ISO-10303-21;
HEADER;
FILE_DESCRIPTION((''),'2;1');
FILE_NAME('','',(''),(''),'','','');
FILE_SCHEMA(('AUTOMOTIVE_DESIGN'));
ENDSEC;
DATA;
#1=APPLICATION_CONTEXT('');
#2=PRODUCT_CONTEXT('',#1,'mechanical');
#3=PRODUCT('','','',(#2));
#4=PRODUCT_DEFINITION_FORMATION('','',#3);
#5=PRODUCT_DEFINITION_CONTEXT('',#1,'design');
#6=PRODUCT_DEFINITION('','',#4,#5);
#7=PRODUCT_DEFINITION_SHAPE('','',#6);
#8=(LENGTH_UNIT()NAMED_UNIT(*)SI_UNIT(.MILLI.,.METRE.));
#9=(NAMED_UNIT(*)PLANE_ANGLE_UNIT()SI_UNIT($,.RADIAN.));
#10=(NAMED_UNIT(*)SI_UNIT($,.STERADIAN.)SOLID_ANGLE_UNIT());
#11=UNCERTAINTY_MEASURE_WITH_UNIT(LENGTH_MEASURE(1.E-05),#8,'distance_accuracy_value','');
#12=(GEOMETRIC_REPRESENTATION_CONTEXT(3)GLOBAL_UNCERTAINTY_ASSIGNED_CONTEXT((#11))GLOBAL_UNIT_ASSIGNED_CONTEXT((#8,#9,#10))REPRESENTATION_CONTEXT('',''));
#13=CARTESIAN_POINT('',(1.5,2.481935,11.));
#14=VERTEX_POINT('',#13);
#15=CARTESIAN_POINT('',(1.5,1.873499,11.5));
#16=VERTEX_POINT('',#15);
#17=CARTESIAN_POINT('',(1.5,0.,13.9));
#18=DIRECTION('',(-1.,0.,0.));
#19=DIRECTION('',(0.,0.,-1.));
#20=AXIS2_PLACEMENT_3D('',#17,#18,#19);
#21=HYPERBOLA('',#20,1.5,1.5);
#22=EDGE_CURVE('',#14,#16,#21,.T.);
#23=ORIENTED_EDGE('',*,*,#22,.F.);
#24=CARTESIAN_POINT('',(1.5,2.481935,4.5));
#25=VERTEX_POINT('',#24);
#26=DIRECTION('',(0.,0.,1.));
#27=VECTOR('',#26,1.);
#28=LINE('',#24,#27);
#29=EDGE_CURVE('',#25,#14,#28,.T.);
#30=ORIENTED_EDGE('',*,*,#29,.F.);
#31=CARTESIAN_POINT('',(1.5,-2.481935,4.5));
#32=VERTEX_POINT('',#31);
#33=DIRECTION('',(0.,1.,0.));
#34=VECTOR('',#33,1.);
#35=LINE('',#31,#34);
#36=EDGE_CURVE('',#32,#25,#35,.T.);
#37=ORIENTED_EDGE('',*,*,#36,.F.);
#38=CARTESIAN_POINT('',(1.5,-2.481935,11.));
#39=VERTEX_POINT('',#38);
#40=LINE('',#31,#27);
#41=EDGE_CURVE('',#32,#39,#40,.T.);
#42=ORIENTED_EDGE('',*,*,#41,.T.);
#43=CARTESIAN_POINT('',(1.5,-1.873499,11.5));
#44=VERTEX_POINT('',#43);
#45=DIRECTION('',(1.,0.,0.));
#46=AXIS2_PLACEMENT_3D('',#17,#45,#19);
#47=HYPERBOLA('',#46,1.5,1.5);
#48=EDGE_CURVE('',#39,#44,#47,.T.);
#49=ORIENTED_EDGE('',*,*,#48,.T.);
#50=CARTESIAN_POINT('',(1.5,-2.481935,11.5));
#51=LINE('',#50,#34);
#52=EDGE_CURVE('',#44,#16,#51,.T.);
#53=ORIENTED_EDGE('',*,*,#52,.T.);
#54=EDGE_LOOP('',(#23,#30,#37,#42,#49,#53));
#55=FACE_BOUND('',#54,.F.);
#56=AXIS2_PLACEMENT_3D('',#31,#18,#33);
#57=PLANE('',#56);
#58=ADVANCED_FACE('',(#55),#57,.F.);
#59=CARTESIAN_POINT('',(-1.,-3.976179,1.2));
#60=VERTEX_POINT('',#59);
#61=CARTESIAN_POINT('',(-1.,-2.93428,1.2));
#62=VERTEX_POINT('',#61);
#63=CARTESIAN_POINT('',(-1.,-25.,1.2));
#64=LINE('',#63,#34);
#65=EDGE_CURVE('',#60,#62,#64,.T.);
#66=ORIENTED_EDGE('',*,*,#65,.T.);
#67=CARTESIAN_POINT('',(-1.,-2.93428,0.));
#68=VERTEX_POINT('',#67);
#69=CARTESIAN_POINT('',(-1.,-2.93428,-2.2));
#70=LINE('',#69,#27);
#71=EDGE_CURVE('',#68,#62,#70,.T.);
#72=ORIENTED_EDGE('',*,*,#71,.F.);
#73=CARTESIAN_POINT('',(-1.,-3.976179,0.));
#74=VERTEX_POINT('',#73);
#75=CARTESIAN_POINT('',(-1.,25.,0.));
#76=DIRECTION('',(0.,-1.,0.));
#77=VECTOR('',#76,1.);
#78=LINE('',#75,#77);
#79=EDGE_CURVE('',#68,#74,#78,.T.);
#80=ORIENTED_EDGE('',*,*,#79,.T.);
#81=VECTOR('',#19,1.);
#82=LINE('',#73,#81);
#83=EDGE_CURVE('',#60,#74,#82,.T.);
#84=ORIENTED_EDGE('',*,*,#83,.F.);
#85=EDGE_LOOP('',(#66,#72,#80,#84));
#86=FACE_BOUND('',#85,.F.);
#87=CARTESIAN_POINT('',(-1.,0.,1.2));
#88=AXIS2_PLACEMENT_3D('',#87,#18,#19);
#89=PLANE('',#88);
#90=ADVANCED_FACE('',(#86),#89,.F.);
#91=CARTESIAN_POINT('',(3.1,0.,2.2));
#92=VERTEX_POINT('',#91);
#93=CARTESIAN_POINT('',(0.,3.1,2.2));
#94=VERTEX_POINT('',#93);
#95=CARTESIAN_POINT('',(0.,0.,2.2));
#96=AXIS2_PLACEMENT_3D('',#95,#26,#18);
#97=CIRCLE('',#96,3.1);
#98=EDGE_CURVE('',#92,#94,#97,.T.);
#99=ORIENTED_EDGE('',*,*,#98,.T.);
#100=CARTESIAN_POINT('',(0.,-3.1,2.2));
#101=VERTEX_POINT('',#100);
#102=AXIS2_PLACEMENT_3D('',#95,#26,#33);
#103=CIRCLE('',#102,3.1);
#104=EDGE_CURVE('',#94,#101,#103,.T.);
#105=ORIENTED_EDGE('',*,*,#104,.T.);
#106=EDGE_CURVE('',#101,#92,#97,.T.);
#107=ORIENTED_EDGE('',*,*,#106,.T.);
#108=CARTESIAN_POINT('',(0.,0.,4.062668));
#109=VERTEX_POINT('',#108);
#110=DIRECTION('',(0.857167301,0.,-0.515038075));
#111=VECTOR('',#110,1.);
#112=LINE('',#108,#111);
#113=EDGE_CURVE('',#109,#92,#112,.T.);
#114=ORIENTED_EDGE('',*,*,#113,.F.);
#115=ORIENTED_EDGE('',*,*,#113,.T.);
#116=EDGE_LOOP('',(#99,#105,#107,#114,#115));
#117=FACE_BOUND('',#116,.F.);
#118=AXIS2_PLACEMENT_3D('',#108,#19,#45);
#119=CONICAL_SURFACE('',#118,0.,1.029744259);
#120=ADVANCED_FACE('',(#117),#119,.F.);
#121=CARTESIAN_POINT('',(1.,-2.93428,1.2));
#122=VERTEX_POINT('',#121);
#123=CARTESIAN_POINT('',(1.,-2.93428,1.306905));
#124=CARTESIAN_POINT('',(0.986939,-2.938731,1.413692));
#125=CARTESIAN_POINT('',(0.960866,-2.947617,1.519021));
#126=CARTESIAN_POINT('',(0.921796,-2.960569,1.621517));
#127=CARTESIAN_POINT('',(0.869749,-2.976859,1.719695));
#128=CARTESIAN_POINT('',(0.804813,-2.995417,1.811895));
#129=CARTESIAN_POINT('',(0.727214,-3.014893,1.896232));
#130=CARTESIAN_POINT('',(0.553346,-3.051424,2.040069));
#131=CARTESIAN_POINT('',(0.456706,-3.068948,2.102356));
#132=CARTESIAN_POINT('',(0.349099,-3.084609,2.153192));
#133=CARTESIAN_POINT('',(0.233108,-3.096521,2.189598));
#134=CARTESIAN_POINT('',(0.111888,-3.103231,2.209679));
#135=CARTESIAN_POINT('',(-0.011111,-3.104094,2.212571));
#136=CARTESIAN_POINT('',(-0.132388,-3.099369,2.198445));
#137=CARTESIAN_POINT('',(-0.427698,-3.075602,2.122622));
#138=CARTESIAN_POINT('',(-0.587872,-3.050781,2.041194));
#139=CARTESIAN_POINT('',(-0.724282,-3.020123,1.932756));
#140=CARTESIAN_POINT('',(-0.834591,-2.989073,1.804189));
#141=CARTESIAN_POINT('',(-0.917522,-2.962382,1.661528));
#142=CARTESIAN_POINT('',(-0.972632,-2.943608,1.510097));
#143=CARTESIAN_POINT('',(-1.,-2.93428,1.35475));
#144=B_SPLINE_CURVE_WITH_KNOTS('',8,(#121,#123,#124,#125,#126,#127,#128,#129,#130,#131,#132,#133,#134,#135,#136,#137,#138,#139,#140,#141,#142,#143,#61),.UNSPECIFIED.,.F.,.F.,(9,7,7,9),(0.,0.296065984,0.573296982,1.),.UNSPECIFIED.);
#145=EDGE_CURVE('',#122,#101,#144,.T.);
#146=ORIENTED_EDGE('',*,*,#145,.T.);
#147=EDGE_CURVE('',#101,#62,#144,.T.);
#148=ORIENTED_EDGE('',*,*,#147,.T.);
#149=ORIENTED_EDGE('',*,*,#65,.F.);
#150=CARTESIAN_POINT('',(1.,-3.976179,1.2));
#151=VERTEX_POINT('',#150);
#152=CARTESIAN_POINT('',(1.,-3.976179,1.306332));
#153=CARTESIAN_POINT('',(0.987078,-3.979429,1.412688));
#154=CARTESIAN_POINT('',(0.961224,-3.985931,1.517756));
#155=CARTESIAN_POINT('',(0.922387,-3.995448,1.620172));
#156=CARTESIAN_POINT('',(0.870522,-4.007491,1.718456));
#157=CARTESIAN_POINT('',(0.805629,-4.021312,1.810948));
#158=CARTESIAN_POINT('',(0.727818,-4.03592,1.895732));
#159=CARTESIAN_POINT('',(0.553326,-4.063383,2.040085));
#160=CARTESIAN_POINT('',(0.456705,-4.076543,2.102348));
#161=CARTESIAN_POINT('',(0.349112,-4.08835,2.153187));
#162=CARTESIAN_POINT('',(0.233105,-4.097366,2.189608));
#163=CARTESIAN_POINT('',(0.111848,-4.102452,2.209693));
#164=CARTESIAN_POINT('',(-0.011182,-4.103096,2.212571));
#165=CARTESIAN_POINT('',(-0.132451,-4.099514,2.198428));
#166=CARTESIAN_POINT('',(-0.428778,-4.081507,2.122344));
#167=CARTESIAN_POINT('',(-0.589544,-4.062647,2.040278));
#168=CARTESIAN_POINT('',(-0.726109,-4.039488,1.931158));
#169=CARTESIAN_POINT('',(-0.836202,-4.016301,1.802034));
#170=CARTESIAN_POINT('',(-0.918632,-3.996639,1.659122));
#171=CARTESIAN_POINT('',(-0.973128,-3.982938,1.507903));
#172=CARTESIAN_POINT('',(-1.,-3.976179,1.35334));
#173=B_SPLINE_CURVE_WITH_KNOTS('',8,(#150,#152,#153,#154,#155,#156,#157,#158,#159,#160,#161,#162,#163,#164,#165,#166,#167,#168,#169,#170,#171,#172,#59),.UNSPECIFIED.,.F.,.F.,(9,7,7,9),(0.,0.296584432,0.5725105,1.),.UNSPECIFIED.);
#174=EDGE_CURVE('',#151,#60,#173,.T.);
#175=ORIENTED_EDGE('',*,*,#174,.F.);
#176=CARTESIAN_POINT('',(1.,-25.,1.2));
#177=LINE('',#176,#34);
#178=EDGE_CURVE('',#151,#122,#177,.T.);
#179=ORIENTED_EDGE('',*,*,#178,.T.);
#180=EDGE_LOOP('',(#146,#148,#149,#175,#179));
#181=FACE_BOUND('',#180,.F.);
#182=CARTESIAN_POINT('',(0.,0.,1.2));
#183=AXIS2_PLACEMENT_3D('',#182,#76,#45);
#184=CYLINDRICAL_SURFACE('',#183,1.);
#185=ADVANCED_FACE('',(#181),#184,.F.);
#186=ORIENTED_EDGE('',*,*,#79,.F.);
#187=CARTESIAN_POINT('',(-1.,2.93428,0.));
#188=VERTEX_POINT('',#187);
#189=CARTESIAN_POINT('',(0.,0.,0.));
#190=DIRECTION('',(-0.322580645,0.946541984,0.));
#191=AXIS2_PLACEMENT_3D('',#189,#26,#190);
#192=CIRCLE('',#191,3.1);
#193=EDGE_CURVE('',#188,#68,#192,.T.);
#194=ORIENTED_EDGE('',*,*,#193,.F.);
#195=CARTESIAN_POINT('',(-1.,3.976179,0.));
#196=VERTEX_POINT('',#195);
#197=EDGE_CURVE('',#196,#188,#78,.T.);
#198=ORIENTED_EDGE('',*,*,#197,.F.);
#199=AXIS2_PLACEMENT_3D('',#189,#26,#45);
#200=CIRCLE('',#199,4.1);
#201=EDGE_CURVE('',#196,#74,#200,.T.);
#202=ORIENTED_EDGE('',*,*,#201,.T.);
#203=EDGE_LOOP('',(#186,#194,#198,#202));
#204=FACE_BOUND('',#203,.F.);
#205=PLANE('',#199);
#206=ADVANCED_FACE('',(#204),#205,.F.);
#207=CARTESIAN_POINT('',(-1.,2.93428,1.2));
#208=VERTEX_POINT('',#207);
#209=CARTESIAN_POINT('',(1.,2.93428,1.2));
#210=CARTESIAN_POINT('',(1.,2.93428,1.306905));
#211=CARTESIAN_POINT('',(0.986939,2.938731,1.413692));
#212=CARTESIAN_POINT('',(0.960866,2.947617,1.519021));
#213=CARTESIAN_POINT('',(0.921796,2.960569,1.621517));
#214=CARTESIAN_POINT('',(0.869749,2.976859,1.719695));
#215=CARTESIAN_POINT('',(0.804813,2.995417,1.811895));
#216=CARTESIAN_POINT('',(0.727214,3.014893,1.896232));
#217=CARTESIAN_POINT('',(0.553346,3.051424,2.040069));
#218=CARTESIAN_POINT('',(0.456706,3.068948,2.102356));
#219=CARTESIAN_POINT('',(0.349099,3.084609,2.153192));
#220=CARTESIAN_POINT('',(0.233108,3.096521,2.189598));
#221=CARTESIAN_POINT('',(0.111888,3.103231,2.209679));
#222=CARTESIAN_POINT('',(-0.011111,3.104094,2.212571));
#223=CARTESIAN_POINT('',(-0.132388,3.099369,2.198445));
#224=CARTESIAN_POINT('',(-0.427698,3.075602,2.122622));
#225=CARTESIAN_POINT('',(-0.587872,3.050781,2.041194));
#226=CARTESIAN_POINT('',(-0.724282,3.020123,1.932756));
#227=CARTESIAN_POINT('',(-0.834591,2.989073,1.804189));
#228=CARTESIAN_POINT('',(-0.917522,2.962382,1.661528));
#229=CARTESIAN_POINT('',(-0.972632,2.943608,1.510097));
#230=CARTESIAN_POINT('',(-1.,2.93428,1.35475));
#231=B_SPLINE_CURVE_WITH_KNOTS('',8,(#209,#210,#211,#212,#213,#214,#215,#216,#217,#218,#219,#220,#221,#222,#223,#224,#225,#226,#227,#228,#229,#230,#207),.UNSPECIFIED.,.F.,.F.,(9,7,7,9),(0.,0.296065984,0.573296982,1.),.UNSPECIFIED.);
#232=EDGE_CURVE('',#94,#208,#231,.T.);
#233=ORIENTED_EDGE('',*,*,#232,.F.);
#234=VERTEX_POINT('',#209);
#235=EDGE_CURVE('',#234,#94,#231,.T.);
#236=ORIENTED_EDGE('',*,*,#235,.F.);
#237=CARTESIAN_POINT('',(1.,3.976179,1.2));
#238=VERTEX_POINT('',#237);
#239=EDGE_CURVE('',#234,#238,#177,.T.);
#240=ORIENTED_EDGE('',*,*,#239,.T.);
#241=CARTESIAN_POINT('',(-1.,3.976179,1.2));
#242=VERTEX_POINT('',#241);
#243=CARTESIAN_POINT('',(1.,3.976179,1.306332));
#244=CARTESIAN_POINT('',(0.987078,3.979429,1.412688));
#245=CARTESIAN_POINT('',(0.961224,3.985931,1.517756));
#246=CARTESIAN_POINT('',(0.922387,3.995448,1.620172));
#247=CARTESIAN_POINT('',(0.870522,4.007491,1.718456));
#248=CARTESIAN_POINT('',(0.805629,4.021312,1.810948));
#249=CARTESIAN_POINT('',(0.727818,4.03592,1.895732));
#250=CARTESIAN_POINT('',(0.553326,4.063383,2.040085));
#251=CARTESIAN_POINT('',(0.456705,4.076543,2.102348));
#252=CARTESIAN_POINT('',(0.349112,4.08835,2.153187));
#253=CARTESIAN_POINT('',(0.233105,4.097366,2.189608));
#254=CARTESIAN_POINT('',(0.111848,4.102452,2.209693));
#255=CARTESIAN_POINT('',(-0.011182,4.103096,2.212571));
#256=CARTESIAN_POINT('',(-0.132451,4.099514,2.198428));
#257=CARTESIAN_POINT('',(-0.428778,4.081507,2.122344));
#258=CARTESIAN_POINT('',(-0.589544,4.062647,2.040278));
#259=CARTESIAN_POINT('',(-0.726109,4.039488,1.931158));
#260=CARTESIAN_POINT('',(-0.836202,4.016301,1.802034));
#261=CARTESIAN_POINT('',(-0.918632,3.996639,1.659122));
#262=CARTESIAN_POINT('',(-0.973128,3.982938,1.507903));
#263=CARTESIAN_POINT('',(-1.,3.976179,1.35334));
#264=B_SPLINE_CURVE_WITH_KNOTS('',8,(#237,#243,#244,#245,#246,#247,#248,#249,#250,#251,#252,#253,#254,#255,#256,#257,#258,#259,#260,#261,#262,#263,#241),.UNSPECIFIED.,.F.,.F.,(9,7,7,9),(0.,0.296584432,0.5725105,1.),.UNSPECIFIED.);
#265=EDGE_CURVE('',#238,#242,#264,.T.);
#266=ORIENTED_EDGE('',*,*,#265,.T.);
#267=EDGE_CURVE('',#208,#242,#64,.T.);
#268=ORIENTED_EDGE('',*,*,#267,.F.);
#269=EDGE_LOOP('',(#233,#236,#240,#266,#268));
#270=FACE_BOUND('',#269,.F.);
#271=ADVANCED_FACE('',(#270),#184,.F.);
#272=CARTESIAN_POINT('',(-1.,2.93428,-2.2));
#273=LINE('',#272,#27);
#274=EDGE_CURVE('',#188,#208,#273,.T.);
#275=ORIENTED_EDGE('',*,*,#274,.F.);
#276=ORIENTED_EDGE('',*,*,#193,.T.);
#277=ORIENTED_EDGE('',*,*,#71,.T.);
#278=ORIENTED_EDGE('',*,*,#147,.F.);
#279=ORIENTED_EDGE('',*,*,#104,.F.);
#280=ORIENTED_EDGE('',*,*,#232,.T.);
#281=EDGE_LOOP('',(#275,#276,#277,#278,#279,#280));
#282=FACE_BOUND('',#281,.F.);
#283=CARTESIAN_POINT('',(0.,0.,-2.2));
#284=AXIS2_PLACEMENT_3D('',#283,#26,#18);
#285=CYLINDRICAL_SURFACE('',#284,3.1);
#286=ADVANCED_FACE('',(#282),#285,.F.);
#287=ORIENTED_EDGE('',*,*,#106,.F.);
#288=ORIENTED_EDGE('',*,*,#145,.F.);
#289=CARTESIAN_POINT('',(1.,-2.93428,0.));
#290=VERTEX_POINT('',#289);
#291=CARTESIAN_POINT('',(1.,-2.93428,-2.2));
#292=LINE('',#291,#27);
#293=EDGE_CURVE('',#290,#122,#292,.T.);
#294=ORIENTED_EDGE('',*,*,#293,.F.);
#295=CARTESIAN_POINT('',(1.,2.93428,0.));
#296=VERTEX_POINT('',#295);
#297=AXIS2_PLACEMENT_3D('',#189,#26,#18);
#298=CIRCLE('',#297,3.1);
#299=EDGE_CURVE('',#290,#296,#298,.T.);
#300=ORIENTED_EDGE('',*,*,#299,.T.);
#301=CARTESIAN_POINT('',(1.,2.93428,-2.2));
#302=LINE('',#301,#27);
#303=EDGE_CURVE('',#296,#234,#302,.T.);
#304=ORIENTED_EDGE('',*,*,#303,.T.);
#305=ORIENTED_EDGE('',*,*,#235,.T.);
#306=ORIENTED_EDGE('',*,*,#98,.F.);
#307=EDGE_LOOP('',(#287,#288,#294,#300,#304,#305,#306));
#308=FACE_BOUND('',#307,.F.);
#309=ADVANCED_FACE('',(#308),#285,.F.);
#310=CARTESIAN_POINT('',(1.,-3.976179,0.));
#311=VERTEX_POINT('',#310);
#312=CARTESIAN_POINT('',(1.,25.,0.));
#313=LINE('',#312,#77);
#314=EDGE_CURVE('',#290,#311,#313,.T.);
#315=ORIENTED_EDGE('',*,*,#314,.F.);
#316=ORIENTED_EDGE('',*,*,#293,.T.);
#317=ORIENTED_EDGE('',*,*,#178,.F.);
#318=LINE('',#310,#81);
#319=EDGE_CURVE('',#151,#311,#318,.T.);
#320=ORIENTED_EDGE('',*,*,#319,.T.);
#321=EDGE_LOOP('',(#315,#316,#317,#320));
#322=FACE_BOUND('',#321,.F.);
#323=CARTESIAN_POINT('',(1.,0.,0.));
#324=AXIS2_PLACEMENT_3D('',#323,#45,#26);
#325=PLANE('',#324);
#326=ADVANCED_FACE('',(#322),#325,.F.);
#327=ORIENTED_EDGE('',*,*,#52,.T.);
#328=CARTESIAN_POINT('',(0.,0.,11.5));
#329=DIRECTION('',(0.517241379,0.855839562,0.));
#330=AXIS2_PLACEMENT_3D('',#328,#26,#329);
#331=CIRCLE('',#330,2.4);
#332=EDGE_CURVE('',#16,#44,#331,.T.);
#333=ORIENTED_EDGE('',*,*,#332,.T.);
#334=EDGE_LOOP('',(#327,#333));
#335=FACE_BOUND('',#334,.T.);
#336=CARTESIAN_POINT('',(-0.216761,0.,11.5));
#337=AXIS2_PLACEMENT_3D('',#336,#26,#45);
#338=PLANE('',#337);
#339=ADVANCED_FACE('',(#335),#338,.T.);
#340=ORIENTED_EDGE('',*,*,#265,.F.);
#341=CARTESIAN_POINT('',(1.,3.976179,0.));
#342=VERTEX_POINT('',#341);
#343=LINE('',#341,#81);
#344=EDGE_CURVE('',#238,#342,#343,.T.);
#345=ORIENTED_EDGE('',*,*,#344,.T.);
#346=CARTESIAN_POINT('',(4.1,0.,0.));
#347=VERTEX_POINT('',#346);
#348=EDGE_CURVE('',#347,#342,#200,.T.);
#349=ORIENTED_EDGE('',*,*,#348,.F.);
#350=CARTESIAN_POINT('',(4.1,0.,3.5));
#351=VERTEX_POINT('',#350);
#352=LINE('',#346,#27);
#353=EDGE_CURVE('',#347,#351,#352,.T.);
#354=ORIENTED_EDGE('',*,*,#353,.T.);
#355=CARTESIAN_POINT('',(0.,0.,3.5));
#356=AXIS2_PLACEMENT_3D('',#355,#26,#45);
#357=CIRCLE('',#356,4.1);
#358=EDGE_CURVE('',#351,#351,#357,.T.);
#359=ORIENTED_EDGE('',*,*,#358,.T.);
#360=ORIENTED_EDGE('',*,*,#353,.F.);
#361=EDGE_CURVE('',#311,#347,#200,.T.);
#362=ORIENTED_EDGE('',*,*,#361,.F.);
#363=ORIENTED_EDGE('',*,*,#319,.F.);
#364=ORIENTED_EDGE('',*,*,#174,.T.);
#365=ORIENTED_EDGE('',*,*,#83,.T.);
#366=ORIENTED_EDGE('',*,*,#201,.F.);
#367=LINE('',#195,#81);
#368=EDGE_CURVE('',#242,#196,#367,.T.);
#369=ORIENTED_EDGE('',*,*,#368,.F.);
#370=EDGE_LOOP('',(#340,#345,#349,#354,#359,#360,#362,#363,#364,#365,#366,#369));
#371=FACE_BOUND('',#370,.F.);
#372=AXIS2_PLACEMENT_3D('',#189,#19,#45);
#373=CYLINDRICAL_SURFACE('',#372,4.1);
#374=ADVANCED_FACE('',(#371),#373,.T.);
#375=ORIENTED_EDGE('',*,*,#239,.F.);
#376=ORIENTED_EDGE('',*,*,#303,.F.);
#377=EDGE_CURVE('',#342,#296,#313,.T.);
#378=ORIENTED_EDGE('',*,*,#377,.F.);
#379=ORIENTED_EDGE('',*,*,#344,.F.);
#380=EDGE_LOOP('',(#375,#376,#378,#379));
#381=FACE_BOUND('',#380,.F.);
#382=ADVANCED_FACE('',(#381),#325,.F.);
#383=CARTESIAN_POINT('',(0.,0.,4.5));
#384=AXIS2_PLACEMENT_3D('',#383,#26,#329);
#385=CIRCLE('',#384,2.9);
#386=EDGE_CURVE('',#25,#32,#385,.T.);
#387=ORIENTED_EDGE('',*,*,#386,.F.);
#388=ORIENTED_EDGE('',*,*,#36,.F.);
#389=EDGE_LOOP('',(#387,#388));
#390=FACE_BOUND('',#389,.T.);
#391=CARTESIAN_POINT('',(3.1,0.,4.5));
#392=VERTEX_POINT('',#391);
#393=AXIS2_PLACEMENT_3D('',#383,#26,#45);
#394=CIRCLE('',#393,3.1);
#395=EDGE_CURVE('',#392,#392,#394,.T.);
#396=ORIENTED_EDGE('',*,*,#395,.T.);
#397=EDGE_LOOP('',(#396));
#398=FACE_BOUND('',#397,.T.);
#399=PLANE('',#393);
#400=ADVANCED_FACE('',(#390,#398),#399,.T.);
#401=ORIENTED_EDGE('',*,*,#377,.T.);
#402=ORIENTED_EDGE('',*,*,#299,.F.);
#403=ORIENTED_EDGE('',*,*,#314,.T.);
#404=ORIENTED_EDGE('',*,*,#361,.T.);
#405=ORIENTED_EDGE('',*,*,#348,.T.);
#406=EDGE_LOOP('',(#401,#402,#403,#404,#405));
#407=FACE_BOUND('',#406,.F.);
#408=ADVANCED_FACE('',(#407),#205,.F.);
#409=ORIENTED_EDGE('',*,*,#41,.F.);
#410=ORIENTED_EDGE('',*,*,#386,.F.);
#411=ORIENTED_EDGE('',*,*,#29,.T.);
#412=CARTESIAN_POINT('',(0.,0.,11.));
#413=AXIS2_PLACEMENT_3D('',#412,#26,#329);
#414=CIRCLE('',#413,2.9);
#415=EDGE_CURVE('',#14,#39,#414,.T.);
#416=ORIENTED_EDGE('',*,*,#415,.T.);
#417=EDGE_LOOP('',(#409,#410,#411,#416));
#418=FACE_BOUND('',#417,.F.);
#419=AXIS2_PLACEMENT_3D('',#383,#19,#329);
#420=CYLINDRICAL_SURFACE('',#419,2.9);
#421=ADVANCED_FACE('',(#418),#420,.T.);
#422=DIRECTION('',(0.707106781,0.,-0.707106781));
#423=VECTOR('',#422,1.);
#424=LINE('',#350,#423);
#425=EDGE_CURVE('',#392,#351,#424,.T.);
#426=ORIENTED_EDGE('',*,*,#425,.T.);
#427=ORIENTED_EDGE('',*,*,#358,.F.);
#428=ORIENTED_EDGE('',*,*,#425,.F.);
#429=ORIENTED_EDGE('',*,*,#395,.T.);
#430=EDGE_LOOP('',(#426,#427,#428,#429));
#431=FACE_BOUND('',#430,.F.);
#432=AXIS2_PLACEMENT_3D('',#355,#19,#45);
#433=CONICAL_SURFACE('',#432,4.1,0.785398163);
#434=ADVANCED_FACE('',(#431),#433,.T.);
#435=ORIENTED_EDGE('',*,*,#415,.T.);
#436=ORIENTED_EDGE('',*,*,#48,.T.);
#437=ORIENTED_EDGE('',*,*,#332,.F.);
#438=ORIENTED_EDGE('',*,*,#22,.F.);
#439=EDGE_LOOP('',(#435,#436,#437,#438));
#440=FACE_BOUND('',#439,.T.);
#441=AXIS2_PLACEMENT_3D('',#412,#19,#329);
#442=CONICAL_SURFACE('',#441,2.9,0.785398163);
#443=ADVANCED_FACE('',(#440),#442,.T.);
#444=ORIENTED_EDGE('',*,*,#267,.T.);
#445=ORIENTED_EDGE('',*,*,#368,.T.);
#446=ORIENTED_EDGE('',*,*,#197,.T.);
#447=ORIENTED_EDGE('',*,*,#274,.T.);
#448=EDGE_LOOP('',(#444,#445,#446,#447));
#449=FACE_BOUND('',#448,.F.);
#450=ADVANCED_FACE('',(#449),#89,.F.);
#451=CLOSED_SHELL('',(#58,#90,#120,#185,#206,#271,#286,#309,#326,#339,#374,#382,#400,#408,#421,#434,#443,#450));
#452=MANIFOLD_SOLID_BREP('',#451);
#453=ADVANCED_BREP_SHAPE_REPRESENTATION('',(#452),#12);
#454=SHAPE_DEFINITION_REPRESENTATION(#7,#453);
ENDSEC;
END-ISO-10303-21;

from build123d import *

# Parameters (mm, degrees)
F0_R     = 4.1
F1_DEPTH = 4.5
F2_D     = 6.2
F2_DEPTH = 2.2
F2_TIP   = 1.862667919
F4_DEPTH = 7
F5_SIZE  = 0.5
F6_SIZE  = 1
F8_DEPTH = 25


with BuildPart() as f1:
    # F0 (on Top) → F1 (new body)
    with BuildSketch(Plane.XY):
        Circle(F0_R)
    extrude(amount=F1_DEPTH)

    # F2
    with Locations(Plane(origin=(0, 0, 0), x_dir=(1, 0, 0), z_dir=(0, 0, -1))):
        with Locations((0, 0)):
            Hole(F2_D / 2, depth=F2_DEPTH)
            with Locations((0, 0, -(F2_DEPTH + F2_TIP / 2))):  # 118° drill point
                Cone(0, F2_D / 2, F2_TIP, mode=Mode.SUBTRACT)

    # F3 (on face) → F4 (join)
    with BuildSketch(Plane.XY.offset(4.5)):
        with BuildLine():
            Line((1.5, -2.4819347292), (1.5, 2.4819347292))
            ThreePointArc((1.5, 2.4819347292), (-2.9, 0), (1.5, -2.4819347292))
        make_face()
    extrude(amount=F4_DEPTH)

    # F5
    f5_edges = [f1.edges().sort_by_distance(p)[0] for p in [
        (-2.9, 0, 11.5),
    ]]
    chamfer(f5_edges, length=F5_SIZE)

    # F6
    f6_edges = [f1.edges().sort_by_distance(p)[0] for p in [
        (-4.1, 0, 4.5),
    ]]
    chamfer(f6_edges, length=F6_SIZE)

    # F7 (on Front) → F8 (cut, symmetric)
    with BuildSketch(Plane.XZ):
        with BuildLine():
            Line((-1, 1.2), (-1, 0))
            Line((-1, 0), (1, 0))
            Line((1, 0), (1, 1.2))
            ThreePointArc((1, 1.2), (0, 2.2), (-1, 1.2))
        make_face()
    extrude(amount=F8_DEPTH, both=True, mode=Mode.SUBTRACT)


solid = f1.part
